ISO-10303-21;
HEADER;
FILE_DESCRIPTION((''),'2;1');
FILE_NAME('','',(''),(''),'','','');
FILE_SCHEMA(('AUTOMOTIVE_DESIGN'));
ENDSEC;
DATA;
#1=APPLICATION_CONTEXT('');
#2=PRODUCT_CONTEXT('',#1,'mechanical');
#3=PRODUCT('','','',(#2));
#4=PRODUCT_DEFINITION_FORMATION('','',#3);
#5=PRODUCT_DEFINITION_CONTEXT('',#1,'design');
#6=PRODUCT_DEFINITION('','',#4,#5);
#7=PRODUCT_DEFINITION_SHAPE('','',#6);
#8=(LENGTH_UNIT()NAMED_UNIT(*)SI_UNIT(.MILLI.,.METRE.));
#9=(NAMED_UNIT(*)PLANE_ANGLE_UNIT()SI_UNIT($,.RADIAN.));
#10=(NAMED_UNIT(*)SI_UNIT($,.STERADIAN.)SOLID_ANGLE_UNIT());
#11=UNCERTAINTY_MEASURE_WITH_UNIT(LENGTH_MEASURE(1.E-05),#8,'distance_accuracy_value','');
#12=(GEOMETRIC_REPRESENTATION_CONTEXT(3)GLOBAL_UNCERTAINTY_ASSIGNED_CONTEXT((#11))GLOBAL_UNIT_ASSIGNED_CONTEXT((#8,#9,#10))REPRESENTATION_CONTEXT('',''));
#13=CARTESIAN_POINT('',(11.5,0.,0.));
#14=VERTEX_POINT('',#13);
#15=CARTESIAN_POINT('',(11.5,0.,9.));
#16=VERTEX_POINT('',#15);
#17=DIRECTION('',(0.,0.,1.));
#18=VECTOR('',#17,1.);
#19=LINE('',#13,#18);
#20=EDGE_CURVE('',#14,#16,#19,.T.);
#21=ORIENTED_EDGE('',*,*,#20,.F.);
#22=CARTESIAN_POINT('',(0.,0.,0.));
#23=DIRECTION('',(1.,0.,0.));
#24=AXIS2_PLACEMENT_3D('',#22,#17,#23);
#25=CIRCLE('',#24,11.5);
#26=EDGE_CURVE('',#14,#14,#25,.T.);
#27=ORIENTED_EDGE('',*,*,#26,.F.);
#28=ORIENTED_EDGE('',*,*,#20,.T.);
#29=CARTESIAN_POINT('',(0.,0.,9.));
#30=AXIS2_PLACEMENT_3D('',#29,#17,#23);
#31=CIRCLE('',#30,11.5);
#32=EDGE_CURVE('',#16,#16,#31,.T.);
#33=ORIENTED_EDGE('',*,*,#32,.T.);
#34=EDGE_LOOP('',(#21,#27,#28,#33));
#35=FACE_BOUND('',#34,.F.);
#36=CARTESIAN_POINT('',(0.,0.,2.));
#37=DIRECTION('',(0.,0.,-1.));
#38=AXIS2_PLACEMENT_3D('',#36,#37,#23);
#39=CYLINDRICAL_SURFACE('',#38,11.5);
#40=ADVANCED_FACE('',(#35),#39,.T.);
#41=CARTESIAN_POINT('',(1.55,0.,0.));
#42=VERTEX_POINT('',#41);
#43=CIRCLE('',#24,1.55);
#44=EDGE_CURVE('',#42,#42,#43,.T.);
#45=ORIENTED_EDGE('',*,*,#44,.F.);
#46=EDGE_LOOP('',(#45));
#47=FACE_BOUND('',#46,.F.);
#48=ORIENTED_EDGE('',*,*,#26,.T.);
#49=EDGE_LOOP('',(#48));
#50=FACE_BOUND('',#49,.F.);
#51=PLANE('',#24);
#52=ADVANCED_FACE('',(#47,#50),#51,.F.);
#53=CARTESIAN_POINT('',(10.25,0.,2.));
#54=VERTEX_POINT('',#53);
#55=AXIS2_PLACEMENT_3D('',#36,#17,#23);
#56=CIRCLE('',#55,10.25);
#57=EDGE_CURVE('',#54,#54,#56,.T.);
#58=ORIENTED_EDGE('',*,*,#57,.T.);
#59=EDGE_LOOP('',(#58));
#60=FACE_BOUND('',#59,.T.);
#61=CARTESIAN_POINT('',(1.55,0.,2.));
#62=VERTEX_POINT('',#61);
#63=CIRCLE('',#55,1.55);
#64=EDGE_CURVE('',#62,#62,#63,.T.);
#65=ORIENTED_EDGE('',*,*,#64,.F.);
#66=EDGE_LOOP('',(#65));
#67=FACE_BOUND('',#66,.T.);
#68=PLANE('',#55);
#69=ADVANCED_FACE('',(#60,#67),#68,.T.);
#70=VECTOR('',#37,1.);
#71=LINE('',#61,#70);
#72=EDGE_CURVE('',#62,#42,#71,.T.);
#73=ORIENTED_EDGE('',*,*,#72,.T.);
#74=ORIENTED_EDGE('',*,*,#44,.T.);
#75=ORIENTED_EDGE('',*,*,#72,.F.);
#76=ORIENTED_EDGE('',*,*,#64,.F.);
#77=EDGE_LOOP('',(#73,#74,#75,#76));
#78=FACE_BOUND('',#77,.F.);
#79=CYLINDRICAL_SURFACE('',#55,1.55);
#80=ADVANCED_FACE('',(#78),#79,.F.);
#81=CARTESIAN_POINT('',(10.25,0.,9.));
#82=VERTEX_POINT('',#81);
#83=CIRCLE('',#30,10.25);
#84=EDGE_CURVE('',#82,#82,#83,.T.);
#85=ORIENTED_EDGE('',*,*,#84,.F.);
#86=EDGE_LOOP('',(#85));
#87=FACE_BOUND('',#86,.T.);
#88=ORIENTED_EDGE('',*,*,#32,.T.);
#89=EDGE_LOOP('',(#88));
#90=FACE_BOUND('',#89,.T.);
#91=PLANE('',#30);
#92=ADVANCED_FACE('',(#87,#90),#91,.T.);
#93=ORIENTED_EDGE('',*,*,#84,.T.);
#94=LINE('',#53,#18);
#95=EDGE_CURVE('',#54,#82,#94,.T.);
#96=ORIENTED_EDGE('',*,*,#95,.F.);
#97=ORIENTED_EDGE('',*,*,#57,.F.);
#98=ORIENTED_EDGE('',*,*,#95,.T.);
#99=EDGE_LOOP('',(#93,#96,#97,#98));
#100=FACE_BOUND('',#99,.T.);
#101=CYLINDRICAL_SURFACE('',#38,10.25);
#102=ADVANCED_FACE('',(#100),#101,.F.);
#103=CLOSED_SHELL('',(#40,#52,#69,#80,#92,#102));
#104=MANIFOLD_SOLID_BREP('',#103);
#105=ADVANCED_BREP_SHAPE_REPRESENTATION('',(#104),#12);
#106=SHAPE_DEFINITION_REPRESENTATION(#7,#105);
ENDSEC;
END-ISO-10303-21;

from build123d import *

# Parameters (mm, degrees)
F0_R     = 11.5
F1_DEPTH = 2
F2_R     = 11.5
F2_R_2   = 10.25
F3_DEPTH = 7
F2_R_3   = 1.55
F4_DEPTH = 25


with BuildPart() as f1:
    # F0 (on Top) → F1 (new body)
    with BuildSketch(Plane.XY):
        Circle(F0_R)
    extrude(amount=F1_DEPTH)

    # F2 (on face) → F3 (join)
    with BuildSketch(Plane.XY.offset(2)):
        Circle(F2_R)
        Circle(F2_R_2, mode=Mode.SUBTRACT)
    extrude(amount=F3_DEPTH)

    # F2 (on face) → F4 (cut)
    with BuildSketch(Plane.XY.offset(2)):
        Circle(F2_R_3)
    extrude(amount=-F4_DEPTH, mode=Mode.SUBTRACT)


solid = f1.part
